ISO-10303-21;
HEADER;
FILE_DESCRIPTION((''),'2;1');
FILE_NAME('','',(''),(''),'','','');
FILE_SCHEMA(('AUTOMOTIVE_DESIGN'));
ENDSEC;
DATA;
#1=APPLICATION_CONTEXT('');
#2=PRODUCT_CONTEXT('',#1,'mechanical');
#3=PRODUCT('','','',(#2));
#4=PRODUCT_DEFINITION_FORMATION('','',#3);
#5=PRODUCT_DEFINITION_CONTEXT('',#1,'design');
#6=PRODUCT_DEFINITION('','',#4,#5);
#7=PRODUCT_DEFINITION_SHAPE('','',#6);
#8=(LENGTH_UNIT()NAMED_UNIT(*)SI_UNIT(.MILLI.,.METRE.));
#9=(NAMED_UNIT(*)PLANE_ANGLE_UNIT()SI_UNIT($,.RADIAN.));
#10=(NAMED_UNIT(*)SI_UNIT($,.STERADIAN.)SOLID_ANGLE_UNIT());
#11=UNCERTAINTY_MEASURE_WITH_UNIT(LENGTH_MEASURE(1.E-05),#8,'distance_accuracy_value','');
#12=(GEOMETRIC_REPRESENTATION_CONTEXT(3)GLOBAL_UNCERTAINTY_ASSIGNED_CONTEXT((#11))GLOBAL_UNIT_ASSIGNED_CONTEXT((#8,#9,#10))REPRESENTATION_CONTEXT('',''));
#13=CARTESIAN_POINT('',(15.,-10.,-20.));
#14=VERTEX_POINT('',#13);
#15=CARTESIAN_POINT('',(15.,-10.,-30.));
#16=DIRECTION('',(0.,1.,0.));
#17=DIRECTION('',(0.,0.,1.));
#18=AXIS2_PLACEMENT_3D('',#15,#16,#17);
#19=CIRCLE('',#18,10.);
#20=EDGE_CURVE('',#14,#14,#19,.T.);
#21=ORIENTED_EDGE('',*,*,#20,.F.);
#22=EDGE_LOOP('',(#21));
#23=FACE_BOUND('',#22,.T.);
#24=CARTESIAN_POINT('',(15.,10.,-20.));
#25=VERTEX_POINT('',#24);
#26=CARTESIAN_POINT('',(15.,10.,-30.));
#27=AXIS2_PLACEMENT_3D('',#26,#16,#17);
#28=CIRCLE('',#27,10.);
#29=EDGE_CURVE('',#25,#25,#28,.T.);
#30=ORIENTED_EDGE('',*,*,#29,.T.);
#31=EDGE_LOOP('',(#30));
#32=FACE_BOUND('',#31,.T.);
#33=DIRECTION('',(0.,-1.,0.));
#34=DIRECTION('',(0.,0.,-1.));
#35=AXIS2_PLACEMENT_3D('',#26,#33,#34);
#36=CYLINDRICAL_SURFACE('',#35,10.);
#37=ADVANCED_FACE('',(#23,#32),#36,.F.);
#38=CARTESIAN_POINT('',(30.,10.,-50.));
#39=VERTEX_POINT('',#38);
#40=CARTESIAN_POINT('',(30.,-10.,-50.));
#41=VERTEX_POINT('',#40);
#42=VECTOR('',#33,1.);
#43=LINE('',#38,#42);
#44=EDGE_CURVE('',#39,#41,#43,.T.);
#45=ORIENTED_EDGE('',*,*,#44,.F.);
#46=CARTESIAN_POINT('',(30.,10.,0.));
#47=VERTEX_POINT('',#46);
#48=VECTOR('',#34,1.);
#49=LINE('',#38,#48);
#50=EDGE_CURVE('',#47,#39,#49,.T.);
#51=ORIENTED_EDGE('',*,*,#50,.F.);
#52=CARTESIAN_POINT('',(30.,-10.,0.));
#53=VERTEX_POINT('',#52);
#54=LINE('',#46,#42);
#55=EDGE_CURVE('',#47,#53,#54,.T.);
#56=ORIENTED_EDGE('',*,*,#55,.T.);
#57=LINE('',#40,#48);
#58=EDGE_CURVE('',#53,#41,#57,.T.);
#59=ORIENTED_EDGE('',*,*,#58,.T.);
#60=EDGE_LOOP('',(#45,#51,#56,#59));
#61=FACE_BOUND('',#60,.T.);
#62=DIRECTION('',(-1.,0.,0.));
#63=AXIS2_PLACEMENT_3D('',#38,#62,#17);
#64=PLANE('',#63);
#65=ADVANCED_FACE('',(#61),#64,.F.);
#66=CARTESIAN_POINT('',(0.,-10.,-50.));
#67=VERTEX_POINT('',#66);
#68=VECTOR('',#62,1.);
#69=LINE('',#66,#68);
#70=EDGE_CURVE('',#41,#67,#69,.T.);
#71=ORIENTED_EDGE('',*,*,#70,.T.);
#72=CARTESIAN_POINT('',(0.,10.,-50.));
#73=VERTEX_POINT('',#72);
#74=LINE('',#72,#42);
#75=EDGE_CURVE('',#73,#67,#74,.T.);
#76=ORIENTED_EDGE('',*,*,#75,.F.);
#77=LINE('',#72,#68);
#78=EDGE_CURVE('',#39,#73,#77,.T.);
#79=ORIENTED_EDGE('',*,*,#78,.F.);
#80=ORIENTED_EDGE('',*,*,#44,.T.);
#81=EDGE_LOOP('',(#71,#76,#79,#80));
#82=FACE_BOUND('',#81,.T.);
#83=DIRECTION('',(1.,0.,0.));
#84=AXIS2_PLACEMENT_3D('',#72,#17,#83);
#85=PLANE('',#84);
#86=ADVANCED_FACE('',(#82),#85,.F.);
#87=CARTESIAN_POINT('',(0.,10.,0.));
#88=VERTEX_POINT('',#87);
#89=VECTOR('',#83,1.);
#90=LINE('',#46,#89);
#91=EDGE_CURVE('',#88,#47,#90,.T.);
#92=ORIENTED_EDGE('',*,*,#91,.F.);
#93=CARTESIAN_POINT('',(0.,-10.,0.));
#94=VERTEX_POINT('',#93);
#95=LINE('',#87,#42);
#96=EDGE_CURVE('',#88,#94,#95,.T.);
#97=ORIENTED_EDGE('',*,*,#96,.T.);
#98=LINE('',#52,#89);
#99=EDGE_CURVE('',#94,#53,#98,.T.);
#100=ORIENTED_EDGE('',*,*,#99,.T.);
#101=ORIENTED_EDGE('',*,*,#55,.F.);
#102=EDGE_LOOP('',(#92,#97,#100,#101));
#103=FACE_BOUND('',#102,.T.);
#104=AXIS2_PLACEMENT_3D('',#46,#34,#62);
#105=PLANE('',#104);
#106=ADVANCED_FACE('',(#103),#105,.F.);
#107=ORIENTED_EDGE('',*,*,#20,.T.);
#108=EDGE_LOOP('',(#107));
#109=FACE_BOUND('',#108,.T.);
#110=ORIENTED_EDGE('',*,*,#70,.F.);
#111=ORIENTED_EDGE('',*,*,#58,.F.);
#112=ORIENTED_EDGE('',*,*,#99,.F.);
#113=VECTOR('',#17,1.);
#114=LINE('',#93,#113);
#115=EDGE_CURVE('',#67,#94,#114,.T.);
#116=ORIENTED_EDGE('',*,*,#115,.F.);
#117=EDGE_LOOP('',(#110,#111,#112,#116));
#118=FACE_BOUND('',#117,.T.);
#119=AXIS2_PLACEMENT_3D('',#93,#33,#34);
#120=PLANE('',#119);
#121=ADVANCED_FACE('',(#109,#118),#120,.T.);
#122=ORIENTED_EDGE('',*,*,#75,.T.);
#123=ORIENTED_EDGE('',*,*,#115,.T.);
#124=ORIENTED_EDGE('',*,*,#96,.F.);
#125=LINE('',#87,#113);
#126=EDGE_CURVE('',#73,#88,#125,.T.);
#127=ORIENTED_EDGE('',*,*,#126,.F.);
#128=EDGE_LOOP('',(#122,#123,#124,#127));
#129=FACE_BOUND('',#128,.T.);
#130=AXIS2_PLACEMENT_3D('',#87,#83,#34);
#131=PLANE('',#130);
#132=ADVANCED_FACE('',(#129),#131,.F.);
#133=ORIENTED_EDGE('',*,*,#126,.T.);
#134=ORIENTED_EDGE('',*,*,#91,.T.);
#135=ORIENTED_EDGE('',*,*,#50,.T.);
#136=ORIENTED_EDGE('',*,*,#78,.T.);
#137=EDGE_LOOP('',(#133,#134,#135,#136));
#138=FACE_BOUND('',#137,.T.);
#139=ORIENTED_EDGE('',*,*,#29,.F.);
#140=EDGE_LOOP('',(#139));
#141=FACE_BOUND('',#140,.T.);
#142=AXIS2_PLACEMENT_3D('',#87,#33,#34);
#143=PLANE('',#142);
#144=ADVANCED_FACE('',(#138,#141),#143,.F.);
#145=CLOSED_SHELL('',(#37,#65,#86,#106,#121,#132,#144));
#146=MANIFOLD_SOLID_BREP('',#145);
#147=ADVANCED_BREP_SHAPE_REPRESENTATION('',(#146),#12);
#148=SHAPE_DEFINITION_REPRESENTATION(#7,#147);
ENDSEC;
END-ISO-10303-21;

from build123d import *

# Parameters (mm, degrees)
SKETCH1_W           = 30
SKETCH1_H           = 50
SKETCH1_R           = 10
BOSS_EXTRUDE1_DEPTH = 10


with BuildPart() as part:
    # Sketch1 → Boss-Extrude1 (new body, symmetric)
    with BuildSketch(Plane(origin=(0, 0, 0), x_dir=(1, 0, 0), z_dir=(0, 1, 0))):
        with Locations((15, 25)):
            Rectangle(SKETCH1_W, SKETCH1_H)
        with Locations((15, 30)):
            Circle(SKETCH1_R, mode=Mode.SUBTRACT)
    extrude(amount=BOSS_EXTRUDE1_DEPTH, both=True)


solid = part.part
